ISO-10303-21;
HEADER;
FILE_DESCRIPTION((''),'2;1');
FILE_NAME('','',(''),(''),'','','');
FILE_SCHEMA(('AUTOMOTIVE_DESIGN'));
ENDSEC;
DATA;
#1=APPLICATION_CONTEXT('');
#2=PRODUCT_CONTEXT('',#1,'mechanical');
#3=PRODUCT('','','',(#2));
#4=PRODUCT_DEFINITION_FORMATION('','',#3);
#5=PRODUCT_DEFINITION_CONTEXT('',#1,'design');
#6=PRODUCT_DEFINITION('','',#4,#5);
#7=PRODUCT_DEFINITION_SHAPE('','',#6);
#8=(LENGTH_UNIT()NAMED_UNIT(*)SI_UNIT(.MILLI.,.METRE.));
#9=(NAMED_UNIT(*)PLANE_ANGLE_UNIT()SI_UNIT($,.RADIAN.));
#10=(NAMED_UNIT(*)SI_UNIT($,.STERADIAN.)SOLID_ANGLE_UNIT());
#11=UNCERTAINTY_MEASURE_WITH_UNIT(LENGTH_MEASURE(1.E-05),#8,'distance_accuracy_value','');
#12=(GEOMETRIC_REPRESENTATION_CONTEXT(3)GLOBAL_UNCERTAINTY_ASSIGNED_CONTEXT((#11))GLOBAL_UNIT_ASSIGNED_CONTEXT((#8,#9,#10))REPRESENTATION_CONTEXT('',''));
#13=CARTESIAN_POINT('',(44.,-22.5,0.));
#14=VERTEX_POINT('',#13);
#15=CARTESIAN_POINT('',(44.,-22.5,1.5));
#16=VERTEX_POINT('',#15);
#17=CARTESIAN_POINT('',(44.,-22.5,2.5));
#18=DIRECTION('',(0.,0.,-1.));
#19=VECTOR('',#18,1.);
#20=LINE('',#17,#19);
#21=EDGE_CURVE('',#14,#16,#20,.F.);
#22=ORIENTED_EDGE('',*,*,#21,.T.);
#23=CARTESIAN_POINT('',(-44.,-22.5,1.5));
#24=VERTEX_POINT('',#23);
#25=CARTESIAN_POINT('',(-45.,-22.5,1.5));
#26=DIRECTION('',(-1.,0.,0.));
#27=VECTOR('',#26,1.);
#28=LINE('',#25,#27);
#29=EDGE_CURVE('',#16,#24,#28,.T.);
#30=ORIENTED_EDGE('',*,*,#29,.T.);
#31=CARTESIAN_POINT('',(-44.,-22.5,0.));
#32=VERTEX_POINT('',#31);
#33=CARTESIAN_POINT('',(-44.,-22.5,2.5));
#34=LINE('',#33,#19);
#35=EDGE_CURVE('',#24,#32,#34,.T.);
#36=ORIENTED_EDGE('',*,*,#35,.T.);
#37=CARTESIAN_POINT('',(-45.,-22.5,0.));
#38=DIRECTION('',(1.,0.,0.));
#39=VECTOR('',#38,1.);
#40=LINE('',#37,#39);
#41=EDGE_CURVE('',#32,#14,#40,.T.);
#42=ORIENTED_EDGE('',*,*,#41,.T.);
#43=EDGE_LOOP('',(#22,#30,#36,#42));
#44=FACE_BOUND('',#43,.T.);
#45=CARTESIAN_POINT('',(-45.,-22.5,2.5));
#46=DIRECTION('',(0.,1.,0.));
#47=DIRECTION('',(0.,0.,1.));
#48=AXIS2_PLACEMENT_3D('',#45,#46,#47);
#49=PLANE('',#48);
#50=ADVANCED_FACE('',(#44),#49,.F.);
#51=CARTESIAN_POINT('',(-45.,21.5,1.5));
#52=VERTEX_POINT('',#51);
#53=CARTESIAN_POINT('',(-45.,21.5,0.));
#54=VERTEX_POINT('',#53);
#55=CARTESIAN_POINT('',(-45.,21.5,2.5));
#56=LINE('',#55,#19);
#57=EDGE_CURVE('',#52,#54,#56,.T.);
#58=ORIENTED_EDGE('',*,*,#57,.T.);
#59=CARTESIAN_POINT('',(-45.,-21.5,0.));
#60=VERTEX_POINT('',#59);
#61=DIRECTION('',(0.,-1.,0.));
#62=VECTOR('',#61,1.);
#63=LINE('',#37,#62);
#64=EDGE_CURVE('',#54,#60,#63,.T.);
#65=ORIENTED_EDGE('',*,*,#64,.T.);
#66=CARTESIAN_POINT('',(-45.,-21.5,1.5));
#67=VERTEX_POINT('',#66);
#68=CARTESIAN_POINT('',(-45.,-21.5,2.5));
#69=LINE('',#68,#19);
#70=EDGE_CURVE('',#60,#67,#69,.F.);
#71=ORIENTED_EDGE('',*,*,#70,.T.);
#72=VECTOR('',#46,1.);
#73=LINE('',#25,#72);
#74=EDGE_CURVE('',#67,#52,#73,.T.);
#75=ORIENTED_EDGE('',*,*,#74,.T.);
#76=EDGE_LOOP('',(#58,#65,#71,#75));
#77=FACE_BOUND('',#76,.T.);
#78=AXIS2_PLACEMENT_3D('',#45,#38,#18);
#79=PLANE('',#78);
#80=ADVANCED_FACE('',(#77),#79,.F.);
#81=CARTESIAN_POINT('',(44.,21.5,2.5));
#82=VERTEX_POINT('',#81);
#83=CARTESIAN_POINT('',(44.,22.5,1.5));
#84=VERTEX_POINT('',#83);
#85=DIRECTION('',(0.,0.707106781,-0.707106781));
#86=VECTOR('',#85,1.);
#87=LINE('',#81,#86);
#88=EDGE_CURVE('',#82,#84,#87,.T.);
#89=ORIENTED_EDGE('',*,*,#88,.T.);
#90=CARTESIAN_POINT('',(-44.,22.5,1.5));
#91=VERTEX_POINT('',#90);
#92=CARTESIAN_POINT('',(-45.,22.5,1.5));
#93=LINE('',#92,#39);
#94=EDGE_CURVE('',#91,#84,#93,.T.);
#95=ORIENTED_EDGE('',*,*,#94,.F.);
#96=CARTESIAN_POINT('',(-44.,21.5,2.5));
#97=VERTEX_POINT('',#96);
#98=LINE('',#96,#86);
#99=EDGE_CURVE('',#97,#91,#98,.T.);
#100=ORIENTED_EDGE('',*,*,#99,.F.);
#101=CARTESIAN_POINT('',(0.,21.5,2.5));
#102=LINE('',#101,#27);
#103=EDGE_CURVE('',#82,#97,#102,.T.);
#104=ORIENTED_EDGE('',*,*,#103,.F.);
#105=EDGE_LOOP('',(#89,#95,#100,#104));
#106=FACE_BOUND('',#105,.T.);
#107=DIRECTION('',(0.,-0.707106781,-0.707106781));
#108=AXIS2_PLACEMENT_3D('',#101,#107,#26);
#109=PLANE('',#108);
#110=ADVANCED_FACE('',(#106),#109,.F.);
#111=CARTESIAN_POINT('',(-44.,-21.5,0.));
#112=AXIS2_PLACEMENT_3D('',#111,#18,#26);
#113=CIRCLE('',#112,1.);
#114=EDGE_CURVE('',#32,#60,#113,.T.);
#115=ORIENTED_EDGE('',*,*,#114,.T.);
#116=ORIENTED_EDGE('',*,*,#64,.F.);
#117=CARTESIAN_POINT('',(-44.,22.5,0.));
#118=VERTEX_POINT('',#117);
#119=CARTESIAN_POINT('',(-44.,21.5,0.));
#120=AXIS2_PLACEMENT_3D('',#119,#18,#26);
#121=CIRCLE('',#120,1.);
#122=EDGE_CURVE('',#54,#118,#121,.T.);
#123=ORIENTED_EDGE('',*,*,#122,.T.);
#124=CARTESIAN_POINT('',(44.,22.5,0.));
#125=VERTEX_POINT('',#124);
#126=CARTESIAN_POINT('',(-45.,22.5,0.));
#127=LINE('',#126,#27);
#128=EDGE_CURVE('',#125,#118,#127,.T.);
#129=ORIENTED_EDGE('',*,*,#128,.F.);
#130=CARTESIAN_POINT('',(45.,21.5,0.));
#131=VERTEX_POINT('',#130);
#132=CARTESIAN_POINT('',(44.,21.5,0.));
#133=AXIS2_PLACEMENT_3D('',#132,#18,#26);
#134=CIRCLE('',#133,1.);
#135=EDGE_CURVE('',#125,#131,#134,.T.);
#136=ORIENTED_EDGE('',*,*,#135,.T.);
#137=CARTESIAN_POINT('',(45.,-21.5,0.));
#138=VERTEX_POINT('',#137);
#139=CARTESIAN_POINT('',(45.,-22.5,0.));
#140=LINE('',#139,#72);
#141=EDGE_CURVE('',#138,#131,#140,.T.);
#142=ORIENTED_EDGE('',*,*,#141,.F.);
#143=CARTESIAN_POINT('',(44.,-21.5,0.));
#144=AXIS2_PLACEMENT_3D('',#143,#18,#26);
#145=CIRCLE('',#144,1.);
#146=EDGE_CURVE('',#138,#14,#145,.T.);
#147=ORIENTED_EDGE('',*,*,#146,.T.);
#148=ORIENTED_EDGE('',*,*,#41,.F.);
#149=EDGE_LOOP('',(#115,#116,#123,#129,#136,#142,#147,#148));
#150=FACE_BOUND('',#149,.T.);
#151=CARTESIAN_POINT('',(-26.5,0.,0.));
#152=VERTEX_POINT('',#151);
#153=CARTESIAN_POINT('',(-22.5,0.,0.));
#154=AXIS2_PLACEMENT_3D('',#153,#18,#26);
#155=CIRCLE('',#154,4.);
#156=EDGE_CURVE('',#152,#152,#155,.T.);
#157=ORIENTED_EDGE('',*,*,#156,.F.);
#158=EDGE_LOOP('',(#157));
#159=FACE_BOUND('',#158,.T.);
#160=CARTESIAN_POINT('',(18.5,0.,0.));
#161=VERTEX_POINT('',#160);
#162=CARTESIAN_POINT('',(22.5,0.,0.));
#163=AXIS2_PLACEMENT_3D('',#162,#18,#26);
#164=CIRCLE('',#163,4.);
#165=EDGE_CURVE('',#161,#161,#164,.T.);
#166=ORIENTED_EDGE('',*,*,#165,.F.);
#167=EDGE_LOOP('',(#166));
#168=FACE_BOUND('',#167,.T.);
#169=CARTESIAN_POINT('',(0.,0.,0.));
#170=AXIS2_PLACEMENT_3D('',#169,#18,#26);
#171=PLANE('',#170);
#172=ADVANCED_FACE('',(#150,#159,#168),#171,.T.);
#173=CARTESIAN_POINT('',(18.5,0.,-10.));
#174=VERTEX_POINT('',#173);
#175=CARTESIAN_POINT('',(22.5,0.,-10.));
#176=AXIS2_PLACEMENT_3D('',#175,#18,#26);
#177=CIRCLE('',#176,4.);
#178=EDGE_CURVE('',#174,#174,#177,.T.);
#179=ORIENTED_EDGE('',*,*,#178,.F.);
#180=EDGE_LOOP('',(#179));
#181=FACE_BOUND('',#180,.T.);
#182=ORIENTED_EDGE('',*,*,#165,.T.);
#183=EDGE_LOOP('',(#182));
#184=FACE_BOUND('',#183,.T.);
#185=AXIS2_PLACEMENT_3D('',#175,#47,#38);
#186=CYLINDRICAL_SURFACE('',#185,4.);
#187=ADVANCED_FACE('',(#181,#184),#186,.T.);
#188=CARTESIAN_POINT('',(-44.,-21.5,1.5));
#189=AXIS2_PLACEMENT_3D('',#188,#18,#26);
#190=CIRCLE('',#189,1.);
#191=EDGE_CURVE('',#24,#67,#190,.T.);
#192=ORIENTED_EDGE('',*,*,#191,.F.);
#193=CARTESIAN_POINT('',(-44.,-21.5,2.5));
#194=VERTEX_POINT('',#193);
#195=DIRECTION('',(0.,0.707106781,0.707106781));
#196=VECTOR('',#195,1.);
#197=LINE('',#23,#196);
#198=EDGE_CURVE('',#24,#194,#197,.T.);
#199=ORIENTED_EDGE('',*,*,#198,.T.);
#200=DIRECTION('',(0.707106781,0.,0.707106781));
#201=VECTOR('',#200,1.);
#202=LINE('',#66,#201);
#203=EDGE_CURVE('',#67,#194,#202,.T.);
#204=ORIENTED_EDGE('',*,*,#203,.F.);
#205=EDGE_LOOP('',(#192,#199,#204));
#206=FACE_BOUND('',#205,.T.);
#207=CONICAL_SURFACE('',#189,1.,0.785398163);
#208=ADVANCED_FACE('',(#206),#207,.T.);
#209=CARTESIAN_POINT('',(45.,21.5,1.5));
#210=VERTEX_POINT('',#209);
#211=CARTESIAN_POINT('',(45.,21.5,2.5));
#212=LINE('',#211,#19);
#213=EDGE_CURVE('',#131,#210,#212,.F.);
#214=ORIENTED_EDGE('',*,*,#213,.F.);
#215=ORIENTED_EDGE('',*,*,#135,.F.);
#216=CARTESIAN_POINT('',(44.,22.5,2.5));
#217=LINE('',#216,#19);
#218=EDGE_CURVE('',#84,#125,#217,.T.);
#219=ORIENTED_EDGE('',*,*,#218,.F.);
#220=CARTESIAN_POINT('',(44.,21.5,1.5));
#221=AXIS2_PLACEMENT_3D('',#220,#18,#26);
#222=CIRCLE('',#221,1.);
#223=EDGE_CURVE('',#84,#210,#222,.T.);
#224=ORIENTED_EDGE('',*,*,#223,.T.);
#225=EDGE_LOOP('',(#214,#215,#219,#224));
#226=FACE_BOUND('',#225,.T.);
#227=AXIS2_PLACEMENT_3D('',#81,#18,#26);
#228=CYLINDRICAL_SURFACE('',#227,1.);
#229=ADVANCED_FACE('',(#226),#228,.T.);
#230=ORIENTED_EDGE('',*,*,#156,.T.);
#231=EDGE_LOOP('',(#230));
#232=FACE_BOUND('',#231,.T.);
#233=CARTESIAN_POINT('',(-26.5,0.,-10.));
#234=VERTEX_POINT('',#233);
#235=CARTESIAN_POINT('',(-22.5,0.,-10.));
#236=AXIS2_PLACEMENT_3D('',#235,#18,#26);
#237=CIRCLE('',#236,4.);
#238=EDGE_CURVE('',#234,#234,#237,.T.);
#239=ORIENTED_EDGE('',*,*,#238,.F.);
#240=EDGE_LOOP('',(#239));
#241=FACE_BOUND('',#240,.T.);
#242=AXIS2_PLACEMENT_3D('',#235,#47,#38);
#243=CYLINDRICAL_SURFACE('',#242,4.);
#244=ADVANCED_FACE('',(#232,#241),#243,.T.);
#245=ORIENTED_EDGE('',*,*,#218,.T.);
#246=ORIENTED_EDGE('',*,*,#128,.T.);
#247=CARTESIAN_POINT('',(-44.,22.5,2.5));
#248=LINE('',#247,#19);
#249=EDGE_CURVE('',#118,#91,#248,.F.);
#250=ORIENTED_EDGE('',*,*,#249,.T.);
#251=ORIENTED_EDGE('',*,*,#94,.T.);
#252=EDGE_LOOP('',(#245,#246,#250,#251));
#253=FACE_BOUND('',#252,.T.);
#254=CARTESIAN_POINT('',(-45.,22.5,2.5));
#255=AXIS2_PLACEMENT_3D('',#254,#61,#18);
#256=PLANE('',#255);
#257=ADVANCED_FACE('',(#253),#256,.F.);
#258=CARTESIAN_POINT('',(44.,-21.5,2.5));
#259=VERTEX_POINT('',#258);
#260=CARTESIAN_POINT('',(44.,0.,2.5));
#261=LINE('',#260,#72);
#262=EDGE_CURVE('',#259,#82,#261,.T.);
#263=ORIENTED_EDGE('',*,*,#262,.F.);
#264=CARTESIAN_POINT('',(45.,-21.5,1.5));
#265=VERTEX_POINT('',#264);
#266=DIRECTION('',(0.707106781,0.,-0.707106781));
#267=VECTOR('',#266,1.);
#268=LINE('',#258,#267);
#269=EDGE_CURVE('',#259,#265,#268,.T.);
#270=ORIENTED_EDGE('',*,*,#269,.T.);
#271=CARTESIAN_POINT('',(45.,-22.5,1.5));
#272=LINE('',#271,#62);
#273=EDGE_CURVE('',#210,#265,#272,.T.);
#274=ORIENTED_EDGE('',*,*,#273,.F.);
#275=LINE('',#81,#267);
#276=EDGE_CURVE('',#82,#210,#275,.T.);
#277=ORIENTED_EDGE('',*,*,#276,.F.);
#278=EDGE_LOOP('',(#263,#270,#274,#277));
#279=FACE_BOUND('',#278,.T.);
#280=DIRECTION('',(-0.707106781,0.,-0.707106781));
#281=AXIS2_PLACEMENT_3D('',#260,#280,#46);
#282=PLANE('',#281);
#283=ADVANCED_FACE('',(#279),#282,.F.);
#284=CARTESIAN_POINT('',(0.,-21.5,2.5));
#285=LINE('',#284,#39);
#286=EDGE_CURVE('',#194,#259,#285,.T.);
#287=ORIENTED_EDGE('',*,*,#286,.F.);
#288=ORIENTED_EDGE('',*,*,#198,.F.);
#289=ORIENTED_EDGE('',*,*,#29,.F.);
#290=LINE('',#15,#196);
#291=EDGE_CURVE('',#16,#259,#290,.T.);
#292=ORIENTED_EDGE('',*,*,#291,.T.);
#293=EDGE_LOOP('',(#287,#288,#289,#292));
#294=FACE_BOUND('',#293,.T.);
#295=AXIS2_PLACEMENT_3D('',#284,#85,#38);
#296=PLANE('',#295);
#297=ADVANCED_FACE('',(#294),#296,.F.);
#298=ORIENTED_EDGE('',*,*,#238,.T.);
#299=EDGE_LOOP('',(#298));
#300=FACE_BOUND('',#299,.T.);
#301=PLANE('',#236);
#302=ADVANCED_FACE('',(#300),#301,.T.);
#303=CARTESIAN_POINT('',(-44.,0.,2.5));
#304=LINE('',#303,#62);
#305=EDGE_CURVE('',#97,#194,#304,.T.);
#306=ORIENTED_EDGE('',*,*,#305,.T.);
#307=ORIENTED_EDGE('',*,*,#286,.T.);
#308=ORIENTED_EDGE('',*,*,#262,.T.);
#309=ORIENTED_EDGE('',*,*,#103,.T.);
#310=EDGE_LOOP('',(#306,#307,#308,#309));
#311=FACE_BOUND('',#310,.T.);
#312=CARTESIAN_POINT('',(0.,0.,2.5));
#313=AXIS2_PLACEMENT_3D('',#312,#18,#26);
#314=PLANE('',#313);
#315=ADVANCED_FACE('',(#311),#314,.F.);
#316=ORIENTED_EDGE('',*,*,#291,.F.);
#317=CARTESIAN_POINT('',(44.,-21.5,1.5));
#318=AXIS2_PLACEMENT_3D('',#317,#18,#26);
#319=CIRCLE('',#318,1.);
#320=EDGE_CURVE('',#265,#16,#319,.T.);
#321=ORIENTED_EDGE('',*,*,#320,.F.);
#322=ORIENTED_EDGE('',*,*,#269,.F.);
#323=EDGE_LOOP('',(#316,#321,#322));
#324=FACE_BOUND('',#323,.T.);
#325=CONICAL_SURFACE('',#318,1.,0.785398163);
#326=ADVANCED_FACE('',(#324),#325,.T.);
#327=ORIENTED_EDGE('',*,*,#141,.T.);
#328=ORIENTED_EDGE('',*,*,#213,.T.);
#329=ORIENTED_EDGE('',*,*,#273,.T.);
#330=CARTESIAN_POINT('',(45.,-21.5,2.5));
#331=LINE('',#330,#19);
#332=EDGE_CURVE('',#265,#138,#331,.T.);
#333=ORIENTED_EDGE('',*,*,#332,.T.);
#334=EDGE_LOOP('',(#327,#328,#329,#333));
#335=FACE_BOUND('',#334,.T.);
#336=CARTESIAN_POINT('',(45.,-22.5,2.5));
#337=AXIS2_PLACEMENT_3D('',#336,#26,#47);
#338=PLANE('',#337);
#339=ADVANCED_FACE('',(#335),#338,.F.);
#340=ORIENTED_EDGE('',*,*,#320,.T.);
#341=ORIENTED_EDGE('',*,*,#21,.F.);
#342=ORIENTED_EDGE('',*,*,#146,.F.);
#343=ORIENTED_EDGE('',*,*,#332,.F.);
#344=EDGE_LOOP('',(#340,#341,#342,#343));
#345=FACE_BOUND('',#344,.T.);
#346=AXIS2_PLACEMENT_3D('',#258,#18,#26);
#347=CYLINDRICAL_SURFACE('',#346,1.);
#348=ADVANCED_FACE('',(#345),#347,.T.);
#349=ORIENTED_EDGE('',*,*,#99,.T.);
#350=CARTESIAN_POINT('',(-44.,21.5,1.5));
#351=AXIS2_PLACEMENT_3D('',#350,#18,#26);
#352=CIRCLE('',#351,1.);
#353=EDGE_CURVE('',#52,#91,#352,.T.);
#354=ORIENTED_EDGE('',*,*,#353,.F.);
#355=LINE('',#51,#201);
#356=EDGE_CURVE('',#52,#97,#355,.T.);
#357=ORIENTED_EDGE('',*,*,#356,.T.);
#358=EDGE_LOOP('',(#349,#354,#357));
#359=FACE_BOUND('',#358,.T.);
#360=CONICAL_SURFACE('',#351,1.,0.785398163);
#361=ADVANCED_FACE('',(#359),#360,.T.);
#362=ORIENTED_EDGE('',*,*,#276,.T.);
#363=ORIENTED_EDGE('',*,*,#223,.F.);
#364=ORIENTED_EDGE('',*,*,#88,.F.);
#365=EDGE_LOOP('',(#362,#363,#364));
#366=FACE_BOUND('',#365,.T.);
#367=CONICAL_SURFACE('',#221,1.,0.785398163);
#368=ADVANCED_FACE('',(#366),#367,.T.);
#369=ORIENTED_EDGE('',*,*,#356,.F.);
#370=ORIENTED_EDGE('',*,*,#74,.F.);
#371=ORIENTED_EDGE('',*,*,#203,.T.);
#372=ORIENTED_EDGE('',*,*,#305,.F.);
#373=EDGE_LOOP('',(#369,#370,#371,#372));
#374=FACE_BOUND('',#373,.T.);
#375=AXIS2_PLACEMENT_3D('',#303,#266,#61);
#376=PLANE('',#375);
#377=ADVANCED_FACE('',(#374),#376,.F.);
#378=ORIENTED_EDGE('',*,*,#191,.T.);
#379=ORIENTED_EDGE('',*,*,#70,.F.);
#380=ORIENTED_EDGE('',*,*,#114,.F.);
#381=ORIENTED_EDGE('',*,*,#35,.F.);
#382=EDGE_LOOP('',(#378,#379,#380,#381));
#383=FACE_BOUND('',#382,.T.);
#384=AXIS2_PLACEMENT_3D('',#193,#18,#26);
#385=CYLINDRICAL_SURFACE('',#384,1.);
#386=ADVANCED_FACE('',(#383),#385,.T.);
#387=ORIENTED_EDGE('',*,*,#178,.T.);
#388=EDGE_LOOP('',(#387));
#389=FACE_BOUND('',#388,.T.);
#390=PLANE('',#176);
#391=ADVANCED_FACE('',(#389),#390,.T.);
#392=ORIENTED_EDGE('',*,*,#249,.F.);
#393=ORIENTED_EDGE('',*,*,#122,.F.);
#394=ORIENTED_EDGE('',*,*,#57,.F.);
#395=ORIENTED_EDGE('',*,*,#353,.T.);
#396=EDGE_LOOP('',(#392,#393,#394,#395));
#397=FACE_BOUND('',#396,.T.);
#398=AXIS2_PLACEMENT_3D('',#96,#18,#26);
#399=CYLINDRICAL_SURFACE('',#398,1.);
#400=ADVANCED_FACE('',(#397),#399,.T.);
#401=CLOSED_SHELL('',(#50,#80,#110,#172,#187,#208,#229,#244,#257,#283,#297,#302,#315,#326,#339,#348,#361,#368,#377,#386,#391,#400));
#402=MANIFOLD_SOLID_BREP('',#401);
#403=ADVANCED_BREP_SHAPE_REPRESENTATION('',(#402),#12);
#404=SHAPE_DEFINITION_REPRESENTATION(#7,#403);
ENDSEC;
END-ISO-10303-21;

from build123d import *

# Parameters (mm, degrees)
SKETCH1_W           = 90
SKETCH1_H           = 45
BOSS_EXTRUDE1_DEPTH = 2.5
FILLET1_R           = 1
CHAMFER1_SIZE       = 1
SKETCH2_R           = 4
BOSS_EXTRUDE2_DEPTH = 10


with BuildPart() as part:
    # Sketch1 → Boss-Extrude1 (new body)
    with BuildSketch(Plane.XY):
        Rectangle(SKETCH1_W, SKETCH1_H)
    extrude(amount=BOSS_EXTRUDE1_DEPTH)

    # Fillet1
    fillet1_edges = [part.edges().sort_by_distance(p)[0] for p in [
        (45, -22.5, 1.25),
        (-45, -22.5, 1.25),
        (-45, 22.5, 1.25),
        (45, 22.5, 1.25),
    ]]
    fillet(fillet1_edges, radius=FILLET1_R)

    # Chamfer1
    chamfer1_edges = [part.edges().sort_by_distance(p)[0] for p in [
        (0, -22.5, 2.5),
        (-45, 0, 2.5),
        (45, 0, 2.5),
        (0, 22.5, 2.5),
        (44.707106781, -22.207106781, 2.5),
        (44.707106781, 22.207106781, 2.5),
        (-44.707106781, 22.207106781, 2.5),
        (-44.707106781, -22.207106781, 2.5),
    ]]
    chamfer(chamfer1_edges, length=CHAMFER1_SIZE)

    # Sketch2 → Boss-Extrude2 (add)
    with BuildSketch(Plane(origin=(0, 0, 0), x_dir=(-1, 0, 0), z_dir=(0, 0, -1))):
        with Locations((-22.5, 0)):
            Circle(SKETCH2_R)
        with Locations((22.5, 0)):
            Circle(SKETCH2_R)
    extrude(amount=BOSS_EXTRUDE2_DEPTH)


solid = part.part
